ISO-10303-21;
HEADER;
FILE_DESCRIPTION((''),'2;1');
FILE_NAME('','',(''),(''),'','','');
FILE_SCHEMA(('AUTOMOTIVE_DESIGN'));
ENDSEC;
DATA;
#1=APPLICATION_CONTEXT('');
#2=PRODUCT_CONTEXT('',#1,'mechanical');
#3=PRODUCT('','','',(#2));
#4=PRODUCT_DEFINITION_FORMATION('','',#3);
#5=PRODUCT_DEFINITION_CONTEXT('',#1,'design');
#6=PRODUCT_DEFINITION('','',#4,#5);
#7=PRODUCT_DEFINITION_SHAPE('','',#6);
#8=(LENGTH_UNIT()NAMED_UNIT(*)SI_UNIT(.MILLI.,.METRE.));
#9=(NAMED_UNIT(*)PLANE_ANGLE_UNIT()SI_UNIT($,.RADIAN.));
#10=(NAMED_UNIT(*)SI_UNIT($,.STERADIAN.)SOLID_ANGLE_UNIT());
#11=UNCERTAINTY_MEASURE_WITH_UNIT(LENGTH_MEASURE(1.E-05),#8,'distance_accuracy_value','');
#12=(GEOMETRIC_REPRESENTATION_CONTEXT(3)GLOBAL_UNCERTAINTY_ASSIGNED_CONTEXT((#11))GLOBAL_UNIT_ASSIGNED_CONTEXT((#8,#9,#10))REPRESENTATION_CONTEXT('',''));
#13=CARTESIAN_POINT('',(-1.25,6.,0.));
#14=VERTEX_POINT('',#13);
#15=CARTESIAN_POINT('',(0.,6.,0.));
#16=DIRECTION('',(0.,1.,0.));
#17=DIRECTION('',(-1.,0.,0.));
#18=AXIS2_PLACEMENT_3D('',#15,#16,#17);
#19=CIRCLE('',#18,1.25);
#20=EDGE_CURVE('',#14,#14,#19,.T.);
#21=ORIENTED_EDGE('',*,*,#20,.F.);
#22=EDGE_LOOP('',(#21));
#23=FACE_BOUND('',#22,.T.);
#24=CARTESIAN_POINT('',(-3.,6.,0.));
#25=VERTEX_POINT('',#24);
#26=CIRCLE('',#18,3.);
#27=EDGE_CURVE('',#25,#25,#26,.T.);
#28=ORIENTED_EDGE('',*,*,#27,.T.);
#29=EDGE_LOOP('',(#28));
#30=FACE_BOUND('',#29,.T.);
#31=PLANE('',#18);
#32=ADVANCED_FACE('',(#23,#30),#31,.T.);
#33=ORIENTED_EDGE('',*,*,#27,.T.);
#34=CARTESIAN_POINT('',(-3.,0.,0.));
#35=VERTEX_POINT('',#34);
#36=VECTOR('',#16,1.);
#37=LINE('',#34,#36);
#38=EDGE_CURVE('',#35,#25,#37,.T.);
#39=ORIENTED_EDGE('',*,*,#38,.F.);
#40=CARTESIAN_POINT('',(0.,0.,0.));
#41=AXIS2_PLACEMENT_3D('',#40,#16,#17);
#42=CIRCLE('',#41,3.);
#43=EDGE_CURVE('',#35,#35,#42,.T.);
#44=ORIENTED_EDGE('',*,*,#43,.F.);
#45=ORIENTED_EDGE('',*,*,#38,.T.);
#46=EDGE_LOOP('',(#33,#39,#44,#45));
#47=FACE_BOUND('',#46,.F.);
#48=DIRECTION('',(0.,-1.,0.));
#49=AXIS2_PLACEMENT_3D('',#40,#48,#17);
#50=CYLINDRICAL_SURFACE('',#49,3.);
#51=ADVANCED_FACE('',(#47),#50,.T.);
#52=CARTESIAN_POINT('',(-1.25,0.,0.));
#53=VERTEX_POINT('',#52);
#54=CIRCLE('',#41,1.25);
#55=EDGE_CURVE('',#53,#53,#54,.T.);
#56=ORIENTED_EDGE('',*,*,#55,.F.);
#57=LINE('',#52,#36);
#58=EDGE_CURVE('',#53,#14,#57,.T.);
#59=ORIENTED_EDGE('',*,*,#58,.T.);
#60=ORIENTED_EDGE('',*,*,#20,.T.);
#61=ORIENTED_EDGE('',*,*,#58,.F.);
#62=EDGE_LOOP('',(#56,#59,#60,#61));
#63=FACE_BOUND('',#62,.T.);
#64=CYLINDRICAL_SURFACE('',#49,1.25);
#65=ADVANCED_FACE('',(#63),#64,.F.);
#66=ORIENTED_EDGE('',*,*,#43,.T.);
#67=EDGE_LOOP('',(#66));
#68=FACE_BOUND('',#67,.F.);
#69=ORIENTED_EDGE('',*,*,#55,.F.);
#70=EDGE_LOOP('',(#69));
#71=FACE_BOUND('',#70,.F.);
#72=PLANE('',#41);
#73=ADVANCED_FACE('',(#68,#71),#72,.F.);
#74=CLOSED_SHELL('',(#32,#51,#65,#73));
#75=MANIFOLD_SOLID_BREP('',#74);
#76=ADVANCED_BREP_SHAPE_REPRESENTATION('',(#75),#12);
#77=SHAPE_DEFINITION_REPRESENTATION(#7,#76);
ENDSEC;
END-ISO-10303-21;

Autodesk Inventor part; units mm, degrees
ref_plane "YZ Plane" through (0, 0, 0) normal (1, 0, 0) x (0, 1, 0)
ref_plane "XZ Plane" through (0, 0, 0) normal (0, 1, 0) x (-1, 0, 0)
ref_plane "XY Plane" through (0, 0, 0) normal (0, 0, 1) x (1, 0, 0)
sketch "Sketch1" plane through (0, 0, 0) normal (0, 1, 0) x (-1, 0, 0)
  circle A0 centre (0, 0) radius 3
  circle A1 centre (0, 0) radius 1.25
  dimension "d2" = 6
extrude "Extrusion1" add sketch "Sketch1" along normal blind 6
properties part number "column_if2"
